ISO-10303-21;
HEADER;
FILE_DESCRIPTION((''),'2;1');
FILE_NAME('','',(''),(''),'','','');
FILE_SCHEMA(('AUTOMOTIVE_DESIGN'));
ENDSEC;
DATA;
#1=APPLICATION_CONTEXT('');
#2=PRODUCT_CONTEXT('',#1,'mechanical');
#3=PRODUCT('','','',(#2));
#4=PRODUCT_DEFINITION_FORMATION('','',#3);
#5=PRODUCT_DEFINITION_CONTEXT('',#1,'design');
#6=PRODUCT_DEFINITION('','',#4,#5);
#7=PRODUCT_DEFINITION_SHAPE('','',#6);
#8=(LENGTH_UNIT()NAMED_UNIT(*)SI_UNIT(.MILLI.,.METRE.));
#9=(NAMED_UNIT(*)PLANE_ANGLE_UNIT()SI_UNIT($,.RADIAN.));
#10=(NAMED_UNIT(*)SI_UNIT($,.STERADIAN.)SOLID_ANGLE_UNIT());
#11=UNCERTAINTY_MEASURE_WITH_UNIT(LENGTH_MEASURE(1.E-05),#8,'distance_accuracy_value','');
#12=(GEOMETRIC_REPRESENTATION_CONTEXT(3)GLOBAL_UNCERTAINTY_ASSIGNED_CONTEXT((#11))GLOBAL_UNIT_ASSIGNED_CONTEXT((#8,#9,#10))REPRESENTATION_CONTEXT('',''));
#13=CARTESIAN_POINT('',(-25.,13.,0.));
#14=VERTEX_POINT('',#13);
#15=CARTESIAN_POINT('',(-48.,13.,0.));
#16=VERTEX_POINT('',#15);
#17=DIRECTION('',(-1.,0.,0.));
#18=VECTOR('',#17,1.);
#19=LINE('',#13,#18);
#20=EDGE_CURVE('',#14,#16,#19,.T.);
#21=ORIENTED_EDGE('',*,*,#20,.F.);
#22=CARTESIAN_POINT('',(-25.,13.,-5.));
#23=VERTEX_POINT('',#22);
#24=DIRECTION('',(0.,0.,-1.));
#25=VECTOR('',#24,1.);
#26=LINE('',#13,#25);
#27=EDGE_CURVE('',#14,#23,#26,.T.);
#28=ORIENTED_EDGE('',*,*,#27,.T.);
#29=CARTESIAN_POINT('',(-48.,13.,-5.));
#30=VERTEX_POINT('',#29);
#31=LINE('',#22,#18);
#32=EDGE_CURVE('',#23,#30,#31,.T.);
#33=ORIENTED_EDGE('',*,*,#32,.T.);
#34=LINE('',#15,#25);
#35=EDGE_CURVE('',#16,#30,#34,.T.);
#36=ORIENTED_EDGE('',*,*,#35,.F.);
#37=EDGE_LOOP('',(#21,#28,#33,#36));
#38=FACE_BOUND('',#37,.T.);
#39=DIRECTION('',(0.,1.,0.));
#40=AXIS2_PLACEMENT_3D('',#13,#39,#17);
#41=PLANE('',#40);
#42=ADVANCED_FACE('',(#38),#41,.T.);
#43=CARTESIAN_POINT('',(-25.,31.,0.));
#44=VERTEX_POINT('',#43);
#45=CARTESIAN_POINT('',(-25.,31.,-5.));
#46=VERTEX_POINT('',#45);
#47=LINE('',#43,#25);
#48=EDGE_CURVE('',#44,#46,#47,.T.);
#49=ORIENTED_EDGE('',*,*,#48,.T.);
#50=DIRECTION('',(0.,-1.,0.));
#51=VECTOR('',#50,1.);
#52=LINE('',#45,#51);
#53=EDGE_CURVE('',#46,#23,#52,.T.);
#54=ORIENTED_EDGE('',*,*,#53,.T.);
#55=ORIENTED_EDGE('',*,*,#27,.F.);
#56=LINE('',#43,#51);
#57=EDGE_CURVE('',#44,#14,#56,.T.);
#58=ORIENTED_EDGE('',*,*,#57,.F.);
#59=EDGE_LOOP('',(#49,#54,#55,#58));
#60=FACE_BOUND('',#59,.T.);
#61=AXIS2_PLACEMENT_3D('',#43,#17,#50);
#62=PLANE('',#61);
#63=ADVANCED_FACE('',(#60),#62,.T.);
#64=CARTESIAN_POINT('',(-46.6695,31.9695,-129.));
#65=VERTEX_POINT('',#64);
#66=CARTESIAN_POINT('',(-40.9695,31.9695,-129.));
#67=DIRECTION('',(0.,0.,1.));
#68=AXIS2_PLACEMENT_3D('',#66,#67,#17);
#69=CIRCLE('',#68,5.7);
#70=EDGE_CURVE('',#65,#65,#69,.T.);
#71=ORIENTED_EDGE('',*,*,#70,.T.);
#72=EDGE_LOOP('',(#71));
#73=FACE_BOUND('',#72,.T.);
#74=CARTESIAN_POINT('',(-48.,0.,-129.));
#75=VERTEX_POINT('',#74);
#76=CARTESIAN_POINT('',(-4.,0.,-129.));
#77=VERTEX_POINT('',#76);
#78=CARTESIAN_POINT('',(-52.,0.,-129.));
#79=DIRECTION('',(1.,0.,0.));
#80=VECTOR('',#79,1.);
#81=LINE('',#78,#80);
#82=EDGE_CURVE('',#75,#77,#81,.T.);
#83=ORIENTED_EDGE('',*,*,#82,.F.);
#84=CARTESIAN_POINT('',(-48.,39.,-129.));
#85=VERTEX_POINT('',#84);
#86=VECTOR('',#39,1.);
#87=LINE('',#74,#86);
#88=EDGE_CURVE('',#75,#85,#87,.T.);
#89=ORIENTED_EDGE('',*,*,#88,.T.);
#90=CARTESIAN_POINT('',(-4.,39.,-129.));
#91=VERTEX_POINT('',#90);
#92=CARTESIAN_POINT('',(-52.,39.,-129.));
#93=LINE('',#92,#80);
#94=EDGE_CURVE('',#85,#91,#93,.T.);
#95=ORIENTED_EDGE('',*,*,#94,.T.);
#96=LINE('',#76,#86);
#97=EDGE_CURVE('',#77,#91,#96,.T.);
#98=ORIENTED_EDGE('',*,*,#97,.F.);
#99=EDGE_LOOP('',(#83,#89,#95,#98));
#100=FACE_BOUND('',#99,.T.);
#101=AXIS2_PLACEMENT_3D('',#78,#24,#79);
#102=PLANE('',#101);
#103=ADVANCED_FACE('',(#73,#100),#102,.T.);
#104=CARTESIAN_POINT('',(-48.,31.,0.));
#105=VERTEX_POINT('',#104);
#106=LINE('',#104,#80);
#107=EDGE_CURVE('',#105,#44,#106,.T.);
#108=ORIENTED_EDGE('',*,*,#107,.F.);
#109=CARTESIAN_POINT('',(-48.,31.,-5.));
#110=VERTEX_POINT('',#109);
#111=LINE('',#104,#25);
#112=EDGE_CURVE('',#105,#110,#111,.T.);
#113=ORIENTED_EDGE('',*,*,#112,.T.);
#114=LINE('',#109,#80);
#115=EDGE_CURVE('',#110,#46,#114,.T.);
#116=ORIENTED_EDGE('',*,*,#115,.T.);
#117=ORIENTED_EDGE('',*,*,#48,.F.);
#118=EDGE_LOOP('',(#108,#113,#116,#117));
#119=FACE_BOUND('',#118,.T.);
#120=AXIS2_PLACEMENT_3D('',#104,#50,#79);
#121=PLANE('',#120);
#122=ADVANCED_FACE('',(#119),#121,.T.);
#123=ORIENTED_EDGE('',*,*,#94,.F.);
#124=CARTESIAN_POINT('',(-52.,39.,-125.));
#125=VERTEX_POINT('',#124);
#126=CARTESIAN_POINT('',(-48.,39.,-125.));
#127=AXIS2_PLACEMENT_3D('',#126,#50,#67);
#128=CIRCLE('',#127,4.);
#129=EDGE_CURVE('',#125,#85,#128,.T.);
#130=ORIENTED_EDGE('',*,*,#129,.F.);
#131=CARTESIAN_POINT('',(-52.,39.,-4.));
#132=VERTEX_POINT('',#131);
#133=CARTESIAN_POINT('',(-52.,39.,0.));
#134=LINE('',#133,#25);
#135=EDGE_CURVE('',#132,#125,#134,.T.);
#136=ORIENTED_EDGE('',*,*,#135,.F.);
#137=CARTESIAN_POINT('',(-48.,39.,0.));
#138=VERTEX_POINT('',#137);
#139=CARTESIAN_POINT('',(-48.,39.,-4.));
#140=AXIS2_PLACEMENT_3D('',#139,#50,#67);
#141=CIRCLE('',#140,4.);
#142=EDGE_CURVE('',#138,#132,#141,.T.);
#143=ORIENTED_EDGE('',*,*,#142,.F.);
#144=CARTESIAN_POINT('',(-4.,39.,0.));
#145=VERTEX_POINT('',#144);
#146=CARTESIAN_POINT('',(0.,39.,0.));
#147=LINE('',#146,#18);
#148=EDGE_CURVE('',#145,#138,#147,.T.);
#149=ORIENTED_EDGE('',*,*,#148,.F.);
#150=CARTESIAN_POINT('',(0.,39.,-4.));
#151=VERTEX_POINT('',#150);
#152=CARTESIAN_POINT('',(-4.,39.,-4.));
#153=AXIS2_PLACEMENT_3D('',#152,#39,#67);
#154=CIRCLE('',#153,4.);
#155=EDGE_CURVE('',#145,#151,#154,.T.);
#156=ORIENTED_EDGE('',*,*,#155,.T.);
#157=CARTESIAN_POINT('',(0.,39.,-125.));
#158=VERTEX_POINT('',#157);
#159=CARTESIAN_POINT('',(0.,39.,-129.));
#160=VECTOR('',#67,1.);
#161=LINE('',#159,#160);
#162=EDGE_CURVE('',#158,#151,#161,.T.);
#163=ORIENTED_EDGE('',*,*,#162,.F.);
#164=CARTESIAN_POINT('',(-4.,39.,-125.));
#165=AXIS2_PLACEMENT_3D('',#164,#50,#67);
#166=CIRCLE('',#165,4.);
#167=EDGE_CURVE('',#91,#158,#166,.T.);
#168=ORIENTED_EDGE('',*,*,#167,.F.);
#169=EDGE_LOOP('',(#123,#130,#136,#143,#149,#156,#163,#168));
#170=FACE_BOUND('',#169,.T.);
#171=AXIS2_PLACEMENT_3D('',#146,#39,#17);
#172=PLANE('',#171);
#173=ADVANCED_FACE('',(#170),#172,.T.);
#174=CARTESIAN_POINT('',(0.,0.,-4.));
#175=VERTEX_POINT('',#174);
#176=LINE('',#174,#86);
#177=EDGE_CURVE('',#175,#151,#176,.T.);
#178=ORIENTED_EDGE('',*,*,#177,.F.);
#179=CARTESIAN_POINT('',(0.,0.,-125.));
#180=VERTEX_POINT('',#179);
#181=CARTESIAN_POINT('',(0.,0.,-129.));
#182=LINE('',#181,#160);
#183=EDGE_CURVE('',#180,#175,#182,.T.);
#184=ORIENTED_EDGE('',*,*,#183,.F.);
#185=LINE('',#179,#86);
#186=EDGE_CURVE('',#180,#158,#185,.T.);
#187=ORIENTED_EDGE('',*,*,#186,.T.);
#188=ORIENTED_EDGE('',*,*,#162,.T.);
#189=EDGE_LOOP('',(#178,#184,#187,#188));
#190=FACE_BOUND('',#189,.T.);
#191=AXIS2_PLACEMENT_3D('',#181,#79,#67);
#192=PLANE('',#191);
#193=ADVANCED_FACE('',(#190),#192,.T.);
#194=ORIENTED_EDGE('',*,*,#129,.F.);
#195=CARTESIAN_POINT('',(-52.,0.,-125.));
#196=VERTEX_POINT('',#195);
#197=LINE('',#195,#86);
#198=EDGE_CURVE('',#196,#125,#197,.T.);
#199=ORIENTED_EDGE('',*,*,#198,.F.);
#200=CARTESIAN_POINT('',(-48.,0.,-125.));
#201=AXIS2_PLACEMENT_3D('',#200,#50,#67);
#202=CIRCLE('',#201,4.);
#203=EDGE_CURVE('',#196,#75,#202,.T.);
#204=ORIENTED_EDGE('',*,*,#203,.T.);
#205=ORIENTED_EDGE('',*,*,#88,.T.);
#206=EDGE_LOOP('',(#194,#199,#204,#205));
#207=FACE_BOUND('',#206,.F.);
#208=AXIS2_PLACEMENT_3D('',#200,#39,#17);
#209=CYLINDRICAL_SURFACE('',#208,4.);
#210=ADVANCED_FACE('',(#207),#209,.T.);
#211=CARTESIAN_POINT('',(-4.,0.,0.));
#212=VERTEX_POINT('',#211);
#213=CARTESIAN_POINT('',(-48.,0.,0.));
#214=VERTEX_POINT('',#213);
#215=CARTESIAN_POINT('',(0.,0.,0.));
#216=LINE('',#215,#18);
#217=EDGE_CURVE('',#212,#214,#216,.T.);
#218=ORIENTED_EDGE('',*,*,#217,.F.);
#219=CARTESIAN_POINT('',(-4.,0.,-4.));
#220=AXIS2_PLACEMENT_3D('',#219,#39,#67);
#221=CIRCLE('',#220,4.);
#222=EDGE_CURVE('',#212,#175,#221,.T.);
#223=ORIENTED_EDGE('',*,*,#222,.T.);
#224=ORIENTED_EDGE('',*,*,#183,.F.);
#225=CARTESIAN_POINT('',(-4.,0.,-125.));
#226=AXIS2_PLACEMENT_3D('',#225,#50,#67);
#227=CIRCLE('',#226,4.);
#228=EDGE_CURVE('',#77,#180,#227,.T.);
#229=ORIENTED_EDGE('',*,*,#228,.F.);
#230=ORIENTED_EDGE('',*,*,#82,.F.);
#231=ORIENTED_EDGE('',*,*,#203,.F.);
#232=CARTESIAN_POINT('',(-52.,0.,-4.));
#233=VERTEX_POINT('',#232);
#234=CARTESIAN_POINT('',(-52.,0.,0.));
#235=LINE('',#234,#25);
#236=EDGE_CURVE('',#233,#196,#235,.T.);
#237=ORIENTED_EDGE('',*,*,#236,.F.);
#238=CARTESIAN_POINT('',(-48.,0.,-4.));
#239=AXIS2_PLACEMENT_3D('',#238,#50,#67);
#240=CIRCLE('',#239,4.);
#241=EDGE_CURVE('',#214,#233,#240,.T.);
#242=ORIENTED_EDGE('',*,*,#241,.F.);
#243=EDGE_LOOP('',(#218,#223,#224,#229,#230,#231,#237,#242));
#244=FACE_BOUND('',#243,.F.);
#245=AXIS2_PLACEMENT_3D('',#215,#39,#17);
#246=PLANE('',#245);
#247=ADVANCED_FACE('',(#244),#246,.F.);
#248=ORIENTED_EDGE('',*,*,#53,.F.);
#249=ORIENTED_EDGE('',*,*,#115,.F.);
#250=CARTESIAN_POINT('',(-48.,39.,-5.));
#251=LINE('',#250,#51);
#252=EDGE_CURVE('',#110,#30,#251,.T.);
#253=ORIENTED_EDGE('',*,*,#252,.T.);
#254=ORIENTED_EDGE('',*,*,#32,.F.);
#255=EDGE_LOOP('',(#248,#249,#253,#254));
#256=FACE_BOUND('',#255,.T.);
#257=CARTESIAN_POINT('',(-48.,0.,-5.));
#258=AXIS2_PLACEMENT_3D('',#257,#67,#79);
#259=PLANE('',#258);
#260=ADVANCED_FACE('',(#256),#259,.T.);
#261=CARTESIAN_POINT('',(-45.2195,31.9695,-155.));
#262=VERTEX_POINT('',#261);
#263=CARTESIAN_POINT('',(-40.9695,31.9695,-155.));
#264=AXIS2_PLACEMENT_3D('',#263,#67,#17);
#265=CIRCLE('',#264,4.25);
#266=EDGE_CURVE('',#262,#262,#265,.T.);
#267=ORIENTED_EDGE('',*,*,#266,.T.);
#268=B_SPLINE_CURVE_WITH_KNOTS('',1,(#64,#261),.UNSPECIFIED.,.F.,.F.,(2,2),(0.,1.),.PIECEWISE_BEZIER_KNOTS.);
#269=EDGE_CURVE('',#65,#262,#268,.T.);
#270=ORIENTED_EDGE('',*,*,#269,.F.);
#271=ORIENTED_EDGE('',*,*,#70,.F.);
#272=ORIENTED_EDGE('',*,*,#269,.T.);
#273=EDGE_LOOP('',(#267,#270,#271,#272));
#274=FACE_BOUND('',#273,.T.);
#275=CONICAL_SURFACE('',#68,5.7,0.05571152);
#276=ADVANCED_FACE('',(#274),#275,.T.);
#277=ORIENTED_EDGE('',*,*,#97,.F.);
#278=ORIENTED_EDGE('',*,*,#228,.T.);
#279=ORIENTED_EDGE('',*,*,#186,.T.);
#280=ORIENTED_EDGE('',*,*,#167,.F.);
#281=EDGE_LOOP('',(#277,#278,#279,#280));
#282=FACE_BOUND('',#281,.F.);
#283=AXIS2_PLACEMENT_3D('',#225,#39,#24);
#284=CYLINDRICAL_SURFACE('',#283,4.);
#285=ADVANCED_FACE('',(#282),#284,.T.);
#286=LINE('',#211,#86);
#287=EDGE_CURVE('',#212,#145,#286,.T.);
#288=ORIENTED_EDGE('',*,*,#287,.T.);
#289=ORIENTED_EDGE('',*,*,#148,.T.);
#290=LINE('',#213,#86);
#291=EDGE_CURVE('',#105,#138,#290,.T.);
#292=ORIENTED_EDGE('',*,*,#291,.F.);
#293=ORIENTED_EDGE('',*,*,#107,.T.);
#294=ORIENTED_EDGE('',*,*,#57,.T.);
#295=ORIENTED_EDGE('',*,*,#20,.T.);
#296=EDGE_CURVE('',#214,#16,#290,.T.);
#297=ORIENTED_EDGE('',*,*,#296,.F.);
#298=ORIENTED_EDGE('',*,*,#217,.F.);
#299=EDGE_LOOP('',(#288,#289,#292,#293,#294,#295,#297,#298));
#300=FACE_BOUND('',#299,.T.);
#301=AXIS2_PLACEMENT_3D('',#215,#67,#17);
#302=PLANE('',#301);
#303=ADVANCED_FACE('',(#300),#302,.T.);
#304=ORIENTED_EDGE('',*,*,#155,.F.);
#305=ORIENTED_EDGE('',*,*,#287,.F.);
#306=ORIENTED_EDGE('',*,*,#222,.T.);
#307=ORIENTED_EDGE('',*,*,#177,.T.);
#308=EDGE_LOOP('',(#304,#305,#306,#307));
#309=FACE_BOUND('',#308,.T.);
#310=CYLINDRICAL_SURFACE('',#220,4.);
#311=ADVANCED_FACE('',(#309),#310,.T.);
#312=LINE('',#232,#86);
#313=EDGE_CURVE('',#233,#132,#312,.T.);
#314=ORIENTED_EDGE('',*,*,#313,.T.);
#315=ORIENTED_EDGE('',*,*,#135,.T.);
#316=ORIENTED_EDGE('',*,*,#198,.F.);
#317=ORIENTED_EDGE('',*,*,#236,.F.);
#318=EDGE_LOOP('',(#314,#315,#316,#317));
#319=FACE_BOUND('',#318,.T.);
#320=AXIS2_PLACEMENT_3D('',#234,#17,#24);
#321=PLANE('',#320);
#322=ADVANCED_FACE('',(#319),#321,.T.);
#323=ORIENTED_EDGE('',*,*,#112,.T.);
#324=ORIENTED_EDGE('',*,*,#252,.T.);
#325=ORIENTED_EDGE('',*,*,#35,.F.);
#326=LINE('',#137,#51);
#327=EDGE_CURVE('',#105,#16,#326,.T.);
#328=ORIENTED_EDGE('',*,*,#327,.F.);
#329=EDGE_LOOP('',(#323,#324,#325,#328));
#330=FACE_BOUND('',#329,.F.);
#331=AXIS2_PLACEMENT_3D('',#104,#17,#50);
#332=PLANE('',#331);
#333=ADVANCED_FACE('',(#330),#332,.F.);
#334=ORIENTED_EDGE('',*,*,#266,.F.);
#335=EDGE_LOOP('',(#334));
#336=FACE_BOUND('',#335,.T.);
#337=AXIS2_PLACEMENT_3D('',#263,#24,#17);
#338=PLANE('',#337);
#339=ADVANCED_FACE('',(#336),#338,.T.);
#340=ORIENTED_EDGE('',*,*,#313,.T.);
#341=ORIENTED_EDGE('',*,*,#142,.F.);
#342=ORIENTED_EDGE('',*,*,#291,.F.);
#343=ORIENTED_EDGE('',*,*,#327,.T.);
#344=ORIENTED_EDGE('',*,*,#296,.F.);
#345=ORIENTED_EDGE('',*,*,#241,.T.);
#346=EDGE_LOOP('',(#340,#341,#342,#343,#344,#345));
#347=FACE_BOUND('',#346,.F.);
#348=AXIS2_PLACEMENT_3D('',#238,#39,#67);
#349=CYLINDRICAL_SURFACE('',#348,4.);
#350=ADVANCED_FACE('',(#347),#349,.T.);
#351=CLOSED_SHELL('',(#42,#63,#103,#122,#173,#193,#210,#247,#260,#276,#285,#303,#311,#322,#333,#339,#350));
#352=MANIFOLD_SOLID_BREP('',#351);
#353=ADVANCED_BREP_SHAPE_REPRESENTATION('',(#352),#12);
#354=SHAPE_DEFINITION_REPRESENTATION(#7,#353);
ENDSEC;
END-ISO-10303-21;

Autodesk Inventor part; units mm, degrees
ref_plane "YZ Plane" through (0, 0, 0) normal (1, 0, 0) x (0, 1, 0)
ref_plane "XZ Plane" through (0, 0, 0) normal (0, 1, 0) x (-1, 0, 0)
sketch "Sketch1" plane through (0, 0, 0) normal (0, 1, 0) x (-1, 0, 0)
  line L0 (0, 0) -> (52, 0)
  line L1 (52, 0) -> (52, -129)
  line L2 (52, -129) -> (0, -129)
  line L3 (0, -129) -> (0, 0)
  dimension "d0" = 52
  dimension "d1" = 129
extrude "Extrusion1" add sketch "Sketch1" along normal blind 39
fillet "Fillet1" radius 4 4 edges at (0, 19.5, 0) (0, 19.5, -129) (-52, 19.5, 0) (-52, 19.5, -129)
sketch "Sketch2" plane through (-48, 0, 0) normal (0, 0, 1) x (1, 0, 0)
  line L0 (44, 39) -> (0, 39) projected
  line L1 (0, 39) -> (0, 31)
  line L2 (0, 39) -> (0, 0) projected
  line L3 (0, 31) -> (23, 31)
  line L4 (23, 31) -> (23, 13)
  line L5 (23, 13) -> (0, 13)
  line L6 (0, 13) -> (0, 31)
  point P0 (48, 0)
  dimension "d5" = 8
  dimension "d6" = 23
  dimension "d7" = 18
extrude "Extrusion2" cut sketch "Sketch2" against normal blind 5
sketch "Sketch3" plane through (-4, 0, -129) normal (0, 0, -1) x (-1, 0, 0)
  line L0 (0, 39) -> (44, 39) projected
  line L1 (44, 39) -> (44, 36)
  line L2 (44, 39) -> (44, 0) projected
  line L3 (44, 36) -> (41, 36)
  line L4 (41, 36) -> (36.9695, 31.9695)
  line L5 (41, 36) -> (46.7, 36) construction
  circle A0 centre (36.9695, 31.9695) radius 5.7
  point P0 (-4, 0)
  dimension "d10" = 3
  dimension "d11" = 3
  dimension "d12" = 5.7
  dimension "d13" = 135
ref_plane "Work Plane1" through (-4, 0, -155) normal (0, 0, -1) x (-1, 0, 0)
sketch "Sketch4" plane through (-4, 0, -155) normal (0, 0, -1) x (-1, 0, 0)
  line L0 (0, 39) -> (44, 39) projected
  line L1 (44, 39) -> (44, 36)
  line L2 (44, 39) -> (44, 0) projected
  line L3 (44, 36) -> (41, 36)
  line L4 (41, 36) -> (36.9695, 31.9695)
  line L5 (41, 36) -> (46.7, 36) construction
  circle A0 centre (36.9695, 31.9695) radius 4.25
  point P0 (-4, 0)
  dimension "d15" = 3
  dimension "d16" = 3
  dimension "d17" = 5.7
  dimension "d18" = 135
  dimension "d19" = 8.5
loft "Loft1" add profiles "Sketch3", "Sketch4"
properties part number "NucPowerBrick"
